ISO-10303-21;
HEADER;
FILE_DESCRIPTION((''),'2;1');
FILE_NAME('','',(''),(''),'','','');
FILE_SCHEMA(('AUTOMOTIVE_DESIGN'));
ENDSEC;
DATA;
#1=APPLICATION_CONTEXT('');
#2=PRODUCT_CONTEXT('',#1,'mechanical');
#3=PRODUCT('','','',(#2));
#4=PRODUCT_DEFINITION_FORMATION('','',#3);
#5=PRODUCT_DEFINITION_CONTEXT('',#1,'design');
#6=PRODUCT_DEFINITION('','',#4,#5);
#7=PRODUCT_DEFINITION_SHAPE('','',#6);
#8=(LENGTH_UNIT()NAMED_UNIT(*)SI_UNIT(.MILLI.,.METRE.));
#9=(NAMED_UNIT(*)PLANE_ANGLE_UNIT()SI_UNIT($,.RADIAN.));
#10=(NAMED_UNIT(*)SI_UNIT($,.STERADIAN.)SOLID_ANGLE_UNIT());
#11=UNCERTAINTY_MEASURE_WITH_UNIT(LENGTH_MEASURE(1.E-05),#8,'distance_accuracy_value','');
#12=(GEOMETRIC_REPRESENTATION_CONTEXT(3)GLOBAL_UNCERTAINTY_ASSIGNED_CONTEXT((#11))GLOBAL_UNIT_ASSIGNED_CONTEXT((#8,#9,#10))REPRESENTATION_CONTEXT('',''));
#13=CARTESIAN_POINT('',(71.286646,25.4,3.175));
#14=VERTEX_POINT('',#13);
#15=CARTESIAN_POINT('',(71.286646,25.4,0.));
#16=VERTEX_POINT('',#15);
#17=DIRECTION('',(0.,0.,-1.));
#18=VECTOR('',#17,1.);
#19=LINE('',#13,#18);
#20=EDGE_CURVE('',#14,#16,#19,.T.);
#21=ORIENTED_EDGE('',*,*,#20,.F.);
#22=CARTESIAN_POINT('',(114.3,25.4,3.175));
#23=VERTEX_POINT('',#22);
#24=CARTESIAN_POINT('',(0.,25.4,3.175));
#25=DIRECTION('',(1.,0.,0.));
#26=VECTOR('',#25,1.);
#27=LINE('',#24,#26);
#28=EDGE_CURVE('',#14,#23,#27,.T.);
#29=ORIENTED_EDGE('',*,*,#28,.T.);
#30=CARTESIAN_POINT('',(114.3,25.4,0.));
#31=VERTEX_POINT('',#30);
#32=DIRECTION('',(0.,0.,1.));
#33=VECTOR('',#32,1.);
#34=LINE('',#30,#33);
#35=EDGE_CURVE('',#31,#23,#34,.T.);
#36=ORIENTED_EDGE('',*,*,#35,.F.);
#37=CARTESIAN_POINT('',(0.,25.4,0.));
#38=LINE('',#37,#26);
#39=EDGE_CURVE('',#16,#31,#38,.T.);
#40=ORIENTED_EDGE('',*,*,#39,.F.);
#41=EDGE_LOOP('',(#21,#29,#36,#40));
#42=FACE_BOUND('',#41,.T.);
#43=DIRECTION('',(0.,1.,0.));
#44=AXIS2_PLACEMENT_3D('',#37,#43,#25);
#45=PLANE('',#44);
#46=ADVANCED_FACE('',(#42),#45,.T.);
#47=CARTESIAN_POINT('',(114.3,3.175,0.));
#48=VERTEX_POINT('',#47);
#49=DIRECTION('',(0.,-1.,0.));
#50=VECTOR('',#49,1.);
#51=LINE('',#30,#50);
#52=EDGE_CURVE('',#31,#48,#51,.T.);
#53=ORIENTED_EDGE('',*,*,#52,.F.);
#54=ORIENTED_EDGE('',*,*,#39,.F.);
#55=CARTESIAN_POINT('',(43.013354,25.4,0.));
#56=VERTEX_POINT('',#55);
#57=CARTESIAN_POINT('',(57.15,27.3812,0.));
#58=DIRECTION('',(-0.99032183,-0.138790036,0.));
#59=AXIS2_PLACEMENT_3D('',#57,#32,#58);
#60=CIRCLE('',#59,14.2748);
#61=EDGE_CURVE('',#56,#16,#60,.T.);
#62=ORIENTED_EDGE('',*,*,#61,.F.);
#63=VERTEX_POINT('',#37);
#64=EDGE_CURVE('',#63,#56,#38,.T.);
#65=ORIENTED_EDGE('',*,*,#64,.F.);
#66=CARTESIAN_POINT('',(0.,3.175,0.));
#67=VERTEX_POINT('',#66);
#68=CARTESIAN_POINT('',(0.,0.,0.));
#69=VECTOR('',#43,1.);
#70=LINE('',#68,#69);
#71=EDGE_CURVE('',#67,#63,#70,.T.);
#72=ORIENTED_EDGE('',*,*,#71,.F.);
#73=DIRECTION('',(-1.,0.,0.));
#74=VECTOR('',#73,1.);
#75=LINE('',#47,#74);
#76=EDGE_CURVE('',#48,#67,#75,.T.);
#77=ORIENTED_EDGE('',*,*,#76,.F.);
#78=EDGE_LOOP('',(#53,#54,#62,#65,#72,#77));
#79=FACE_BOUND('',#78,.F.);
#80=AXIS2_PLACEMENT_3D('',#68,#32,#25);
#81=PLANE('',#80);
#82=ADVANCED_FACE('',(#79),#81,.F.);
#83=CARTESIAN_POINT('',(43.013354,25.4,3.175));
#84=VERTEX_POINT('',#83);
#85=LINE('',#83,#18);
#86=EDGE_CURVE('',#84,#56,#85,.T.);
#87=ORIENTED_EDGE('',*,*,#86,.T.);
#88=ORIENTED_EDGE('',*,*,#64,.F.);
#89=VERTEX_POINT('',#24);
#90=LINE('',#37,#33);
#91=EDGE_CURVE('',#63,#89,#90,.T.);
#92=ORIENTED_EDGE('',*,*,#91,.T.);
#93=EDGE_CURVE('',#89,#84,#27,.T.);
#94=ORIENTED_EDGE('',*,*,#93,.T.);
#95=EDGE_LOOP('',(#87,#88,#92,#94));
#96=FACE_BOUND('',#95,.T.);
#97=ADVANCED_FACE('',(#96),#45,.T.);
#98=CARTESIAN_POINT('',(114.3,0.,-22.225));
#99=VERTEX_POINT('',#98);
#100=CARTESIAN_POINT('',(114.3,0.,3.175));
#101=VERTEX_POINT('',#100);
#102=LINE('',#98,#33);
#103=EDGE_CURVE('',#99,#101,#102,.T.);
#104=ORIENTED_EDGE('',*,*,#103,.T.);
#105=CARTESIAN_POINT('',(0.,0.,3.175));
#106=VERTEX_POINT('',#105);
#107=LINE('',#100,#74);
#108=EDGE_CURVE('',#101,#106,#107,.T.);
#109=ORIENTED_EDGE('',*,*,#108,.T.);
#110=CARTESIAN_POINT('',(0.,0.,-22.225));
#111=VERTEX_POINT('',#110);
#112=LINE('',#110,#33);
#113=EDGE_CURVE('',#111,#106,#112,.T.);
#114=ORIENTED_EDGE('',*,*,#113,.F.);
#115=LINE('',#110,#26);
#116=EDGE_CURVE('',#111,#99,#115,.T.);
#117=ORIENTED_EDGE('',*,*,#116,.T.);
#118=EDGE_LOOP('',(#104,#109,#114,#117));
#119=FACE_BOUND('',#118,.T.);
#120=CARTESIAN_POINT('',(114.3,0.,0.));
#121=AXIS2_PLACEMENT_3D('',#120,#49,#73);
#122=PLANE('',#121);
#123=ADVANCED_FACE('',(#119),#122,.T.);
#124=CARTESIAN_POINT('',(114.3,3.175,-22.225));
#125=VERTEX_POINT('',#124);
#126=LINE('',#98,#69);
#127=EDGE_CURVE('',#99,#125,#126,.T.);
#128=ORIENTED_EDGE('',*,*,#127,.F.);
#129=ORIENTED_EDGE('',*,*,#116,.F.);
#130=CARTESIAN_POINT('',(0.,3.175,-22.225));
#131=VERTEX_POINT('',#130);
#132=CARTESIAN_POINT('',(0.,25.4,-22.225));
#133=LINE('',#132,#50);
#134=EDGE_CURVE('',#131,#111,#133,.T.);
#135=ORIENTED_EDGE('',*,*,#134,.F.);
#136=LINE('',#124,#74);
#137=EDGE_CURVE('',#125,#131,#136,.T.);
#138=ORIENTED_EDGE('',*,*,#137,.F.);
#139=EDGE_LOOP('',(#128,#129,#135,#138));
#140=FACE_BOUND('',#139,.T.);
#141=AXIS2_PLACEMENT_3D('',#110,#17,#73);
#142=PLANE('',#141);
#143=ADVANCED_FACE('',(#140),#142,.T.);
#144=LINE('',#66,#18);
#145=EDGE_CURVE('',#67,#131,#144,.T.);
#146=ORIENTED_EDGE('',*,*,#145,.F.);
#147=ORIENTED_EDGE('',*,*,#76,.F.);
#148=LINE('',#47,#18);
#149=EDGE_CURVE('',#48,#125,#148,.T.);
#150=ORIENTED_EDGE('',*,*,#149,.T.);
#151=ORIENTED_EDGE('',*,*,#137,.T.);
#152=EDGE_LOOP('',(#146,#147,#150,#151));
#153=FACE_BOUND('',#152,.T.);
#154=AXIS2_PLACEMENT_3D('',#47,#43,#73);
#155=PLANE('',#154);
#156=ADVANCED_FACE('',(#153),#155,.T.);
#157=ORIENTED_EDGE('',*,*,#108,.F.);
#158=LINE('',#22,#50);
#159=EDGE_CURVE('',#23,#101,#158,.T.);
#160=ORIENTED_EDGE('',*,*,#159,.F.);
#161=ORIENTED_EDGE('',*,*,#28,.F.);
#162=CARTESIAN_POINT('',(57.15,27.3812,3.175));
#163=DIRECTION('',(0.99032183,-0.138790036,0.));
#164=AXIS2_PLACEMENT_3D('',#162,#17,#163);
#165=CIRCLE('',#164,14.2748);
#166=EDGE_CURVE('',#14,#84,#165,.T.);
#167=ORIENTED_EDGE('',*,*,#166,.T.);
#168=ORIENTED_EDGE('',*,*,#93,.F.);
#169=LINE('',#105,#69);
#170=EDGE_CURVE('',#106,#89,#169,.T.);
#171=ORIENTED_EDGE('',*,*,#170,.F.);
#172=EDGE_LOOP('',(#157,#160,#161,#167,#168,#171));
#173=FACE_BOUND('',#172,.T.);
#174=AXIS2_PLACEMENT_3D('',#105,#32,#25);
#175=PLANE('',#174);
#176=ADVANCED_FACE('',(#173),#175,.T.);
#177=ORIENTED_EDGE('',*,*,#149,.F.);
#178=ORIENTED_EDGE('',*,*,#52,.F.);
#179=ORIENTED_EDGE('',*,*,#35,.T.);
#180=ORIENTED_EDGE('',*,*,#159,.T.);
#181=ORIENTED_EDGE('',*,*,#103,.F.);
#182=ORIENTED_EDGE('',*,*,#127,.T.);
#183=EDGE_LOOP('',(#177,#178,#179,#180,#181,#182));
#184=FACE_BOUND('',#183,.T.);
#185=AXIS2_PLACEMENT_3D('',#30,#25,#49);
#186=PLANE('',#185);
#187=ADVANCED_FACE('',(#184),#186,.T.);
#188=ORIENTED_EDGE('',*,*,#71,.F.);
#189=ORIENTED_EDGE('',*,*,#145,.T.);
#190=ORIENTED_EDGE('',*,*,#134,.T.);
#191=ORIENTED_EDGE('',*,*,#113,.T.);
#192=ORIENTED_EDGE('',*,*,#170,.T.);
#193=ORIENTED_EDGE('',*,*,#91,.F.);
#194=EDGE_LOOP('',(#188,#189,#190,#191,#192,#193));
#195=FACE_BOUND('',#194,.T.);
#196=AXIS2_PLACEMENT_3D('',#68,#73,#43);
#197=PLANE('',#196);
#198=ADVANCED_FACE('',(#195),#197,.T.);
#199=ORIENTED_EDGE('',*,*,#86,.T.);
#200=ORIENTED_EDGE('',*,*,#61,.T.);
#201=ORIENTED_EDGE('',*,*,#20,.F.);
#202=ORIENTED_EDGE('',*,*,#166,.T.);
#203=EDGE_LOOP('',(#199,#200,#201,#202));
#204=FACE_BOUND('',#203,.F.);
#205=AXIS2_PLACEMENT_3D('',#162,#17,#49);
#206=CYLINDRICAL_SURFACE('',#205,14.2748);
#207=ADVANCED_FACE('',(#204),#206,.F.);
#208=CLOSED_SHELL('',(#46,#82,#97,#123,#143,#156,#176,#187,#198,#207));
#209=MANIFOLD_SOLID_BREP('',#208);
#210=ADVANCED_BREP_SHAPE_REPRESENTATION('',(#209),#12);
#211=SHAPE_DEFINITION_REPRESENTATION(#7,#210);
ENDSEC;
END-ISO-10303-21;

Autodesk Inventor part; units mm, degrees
ref_plane "YZ Plane" through (0, 0, 0) normal (1, 0, 0) x (0, 1, 0)
ref_plane "XZ Plane" through (0, 0, 0) normal (0, 1, 0) x (-1, 0, 0)
ref_plane "XY Plane" through (0, 0, 0) normal (0, 0, 1) x (1, 0, 0)
sketch "Sketch1" plane through (0, 0, 0) normal (0, 0, 1) x (1, 0, 0)
  line L0 (0, 0) -> (0, 25.4)
  line L1 (0, 25.4) -> (114.3, 25.4)
  line L2 (114.3, 25.4) -> (114.3, 0)
  line L3 (114.3, 0) -> (0, 0)
  dimension "d0" = 25.4
  dimension "d1" = 114.3
extrude "Extrusion1" add sketch "Sketch1" along normal blind 3.175
sketch "Sketch2" plane through (0, 0, 0) normal (0, 0, -1) x (-1, 0, 0)
  line L0 (-114.3, 0) -> (-114.3, 3.175)
  line L1 (-114.3, 0) -> (-114.3, 25.4) projected
  line L2 (-114.3, 3.175) -> (0, 3.175)
  line L3 (0, 25.4) -> (0, 0) projected
  line L4 (0, 3.175) -> (0, 0)
  line L5 (0, 0) -> (-114.3, 0)
  line L6 (0, 0) -> (-114.3, 0) projected
  line L7 (0, 12.7) -> (-19.05, 12.7)
  line L8 (-114.3, 25.4) -> (-114.3, 22.225)
  line L9 (-114.3, 25.4) -> (-114.3, 0)
  line L10 (0, 0) -> (0, 25.4)
  line L11 (0, 22.225) -> (0, 25.4)
  dimension "d4" = 3.175
extrude "Extrusion2" add sketch "Sketch2" along normal blind 22.225
sketch "Sketch5" plane through (0, 0, 3.175) normal (0, 0, 1) x (1, 0, 0)
  line L0 (0, 0) -> (114.3, 0) projected
  line L1 (57.15, 0) -> (57.15, 27.3812)
  dimension "d18" = 27.3812
hole "Hole2" at (57.15, 27.3812, 3.175) direction (0, 0, -1) diameter 28.5496 end through all
properties part number "shaft chassis bracket with hole"
